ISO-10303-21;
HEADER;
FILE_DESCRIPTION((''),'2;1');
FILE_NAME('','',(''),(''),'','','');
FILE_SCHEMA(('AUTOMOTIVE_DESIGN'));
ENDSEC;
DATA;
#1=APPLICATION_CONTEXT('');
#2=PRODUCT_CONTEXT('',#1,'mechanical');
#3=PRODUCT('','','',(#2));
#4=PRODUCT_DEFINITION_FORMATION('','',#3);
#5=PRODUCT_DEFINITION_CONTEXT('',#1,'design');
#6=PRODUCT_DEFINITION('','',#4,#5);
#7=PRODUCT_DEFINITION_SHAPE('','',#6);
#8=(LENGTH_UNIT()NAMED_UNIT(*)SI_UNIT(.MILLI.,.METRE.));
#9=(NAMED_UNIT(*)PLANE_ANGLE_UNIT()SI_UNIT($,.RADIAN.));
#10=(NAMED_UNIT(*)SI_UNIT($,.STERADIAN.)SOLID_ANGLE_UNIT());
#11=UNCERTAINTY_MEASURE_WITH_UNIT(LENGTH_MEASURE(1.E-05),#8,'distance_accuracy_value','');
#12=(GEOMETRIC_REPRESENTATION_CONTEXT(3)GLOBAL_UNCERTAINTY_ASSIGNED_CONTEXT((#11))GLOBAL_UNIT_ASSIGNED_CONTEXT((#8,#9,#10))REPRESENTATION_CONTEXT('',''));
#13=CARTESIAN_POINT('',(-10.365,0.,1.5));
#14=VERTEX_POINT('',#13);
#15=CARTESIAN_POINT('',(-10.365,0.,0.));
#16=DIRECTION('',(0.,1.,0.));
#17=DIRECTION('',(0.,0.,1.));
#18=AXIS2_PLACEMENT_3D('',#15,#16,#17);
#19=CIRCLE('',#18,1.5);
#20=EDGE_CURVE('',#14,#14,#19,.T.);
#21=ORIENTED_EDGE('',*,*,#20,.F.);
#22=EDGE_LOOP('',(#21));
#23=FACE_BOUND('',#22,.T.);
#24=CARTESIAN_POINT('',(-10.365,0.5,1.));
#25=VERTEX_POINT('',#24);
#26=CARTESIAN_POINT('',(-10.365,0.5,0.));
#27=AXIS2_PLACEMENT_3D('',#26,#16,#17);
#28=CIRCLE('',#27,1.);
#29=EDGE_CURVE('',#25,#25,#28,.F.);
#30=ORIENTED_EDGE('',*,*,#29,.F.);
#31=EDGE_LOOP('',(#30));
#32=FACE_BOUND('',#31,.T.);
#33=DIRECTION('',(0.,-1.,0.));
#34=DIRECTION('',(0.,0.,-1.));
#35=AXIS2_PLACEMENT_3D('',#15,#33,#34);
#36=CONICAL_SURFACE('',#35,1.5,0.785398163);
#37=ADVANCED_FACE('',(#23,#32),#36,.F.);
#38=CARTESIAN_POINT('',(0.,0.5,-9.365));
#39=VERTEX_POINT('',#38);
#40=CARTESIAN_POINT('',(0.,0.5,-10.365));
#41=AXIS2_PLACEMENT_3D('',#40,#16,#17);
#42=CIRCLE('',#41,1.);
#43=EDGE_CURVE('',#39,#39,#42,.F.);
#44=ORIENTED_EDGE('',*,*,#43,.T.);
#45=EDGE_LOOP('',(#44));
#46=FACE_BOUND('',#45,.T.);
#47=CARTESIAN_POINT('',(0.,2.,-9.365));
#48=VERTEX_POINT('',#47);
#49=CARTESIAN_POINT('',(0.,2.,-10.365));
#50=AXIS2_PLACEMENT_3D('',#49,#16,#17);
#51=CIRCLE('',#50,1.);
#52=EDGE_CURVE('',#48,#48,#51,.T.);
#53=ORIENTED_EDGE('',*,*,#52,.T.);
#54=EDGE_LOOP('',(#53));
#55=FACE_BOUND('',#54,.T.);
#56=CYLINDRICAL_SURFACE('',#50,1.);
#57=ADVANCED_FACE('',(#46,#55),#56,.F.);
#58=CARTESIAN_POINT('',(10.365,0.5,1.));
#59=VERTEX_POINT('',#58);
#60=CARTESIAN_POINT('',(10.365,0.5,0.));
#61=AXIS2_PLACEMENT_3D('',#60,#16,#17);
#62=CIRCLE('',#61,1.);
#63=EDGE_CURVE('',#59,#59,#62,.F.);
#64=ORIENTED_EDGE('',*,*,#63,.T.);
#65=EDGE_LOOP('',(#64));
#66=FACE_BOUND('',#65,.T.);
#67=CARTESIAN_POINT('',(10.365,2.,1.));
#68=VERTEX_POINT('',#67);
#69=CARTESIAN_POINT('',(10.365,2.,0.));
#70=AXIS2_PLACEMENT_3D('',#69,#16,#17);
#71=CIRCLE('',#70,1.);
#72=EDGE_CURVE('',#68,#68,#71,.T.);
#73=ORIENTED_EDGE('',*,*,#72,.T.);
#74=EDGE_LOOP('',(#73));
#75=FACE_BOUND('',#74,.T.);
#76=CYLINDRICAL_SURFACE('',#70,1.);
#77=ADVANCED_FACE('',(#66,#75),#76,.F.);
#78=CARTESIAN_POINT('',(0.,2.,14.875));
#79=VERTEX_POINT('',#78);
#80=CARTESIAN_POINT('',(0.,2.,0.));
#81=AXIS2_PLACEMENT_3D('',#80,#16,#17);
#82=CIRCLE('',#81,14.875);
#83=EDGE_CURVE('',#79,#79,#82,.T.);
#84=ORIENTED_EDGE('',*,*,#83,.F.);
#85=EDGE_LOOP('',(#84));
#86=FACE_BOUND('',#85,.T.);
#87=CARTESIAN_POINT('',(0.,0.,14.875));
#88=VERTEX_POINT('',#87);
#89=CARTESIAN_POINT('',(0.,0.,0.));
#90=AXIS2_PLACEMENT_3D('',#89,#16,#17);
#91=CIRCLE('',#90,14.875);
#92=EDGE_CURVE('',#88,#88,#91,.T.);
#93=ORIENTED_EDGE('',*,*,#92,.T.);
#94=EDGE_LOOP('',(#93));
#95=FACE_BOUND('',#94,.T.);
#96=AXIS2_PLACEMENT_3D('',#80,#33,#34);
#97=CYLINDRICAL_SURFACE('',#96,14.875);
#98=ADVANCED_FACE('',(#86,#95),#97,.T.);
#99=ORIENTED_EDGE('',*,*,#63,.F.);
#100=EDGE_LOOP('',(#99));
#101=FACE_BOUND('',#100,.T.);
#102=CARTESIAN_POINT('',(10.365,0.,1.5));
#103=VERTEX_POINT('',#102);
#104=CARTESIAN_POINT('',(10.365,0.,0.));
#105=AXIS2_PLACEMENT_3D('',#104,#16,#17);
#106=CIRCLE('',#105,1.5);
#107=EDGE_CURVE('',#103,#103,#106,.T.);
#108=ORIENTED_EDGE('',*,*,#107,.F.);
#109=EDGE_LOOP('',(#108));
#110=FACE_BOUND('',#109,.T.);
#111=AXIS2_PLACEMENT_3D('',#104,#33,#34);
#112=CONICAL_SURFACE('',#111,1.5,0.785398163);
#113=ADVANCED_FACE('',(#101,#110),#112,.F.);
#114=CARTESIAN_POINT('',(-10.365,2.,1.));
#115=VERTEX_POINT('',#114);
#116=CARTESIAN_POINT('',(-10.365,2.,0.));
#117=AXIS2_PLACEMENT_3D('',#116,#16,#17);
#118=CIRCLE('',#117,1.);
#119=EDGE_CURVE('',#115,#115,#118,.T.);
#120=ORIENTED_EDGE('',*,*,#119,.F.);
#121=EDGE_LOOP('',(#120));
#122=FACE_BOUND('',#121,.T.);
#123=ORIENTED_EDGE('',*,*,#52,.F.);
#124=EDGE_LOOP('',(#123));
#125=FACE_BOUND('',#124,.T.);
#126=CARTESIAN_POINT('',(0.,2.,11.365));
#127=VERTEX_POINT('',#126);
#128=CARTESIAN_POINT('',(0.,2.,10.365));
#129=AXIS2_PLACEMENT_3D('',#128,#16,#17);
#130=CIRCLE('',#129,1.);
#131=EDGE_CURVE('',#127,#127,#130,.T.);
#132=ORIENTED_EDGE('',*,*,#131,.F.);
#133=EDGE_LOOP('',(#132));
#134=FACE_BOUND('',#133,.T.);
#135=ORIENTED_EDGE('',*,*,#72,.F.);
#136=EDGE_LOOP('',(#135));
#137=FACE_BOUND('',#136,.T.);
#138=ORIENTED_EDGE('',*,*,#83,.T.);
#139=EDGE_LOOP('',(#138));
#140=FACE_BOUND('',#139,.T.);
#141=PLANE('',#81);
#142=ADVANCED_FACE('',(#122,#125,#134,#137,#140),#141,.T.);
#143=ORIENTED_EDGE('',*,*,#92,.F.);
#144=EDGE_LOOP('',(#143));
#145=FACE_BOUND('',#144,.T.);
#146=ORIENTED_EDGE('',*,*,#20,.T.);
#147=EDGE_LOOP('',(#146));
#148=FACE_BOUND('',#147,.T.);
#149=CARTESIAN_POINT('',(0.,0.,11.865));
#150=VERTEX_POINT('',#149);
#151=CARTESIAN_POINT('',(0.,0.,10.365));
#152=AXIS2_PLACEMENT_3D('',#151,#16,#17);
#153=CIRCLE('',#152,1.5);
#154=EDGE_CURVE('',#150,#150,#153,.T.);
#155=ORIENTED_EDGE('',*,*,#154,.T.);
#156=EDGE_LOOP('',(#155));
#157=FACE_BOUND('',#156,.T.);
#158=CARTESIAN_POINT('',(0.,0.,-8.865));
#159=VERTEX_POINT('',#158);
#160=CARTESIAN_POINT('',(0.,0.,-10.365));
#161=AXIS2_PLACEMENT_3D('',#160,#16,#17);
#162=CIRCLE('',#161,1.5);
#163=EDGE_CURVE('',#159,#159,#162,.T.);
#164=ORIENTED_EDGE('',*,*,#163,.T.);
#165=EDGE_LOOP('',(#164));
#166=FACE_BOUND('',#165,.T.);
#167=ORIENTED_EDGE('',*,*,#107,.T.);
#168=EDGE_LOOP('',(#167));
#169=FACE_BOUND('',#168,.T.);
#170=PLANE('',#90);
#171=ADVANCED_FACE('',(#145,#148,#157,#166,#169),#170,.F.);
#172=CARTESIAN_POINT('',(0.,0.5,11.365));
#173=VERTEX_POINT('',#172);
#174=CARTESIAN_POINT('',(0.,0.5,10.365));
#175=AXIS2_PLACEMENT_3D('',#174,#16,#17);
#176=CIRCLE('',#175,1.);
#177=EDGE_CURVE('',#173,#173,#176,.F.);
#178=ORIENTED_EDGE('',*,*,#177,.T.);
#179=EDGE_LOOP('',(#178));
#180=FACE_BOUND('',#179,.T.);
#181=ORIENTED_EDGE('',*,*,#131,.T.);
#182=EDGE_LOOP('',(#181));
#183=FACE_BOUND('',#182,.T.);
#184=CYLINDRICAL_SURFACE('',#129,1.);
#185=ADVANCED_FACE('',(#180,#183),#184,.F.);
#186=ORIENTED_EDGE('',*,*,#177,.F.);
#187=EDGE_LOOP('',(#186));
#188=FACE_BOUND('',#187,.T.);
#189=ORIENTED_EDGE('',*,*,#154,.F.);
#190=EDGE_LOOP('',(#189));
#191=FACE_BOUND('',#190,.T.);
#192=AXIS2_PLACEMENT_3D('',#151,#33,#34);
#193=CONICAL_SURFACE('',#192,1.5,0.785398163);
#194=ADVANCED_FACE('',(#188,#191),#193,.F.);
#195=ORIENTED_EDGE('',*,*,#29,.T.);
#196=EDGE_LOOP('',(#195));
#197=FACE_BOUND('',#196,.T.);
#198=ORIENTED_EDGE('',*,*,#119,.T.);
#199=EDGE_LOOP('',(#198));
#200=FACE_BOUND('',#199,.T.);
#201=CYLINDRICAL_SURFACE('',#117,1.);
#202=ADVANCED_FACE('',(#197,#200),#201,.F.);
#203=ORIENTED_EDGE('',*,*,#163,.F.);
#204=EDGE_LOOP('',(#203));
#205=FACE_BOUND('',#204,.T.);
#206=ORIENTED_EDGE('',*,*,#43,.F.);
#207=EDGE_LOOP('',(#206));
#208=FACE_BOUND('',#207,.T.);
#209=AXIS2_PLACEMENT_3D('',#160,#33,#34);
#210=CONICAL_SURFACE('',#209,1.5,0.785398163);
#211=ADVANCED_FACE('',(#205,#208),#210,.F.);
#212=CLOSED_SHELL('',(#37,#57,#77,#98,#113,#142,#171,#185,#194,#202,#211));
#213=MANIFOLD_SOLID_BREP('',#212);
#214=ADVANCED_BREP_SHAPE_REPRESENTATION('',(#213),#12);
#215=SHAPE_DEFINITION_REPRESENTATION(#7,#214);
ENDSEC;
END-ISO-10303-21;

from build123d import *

# Parameters (mm, degrees)
SKETCH1_R                 = 14.875
BOSS_EXTRUDE1_DEPTH       = 2
F_2_0MM_DOWEL_HOLE1_D     = 2
F_2_0MM_DOWEL_HOLE1_DEPTH = 42.93
F_2_0MM_DOWEL_HOLE1_TIP   = 0.600860619
CHAMFER1_SIZE             = 0.5


with BuildPart() as part:
    # Sketch1 → Boss-Extrude1 (new body)
    with BuildSketch(Plane(origin=(0, 0, 0), x_dir=(1, 0, 0), z_dir=(0, 1, 0))):
        with Locations(Location((0, 0, 0), (0, 0, 270))):
            Circle(SKETCH1_R)
    extrude(amount=BOSS_EXTRUDE1_DEPTH)

    # Ø2.0mm Dowel Hole1
    with Locations(Plane(origin=(0, 2, 0), x_dir=(1, 0, 0), z_dir=(0, 1, 0))):
        with Locations((0, 10.365), (10.365, 0), (0, -10.365), (-10.365, 0)):
            Hole(F_2_0MM_DOWEL_HOLE1_D / 2, depth=F_2_0MM_DOWEL_HOLE1_DEPTH)
            with Locations((0, 0, -(F_2_0MM_DOWEL_HOLE1_DEPTH + F_2_0MM_DOWEL_HOLE1_TIP / 2))):  # 118° drill point
                Cone(0, F_2_0MM_DOWEL_HOLE1_D / 2, F_2_0MM_DOWEL_HOLE1_TIP, mode=Mode.SUBTRACT)

    # Chamfer1
    chamfer1_edges = [part.edges().sort_by_distance(p)[0] for p in [
        (1, 0, 10.365),
        (11.365, 0, 0),
        (1, 0, -10.365),
        (-9.365, 0, 0),
    ]]
    chamfer(chamfer1_edges, length=CHAMFER1_SIZE)


solid = part.part
